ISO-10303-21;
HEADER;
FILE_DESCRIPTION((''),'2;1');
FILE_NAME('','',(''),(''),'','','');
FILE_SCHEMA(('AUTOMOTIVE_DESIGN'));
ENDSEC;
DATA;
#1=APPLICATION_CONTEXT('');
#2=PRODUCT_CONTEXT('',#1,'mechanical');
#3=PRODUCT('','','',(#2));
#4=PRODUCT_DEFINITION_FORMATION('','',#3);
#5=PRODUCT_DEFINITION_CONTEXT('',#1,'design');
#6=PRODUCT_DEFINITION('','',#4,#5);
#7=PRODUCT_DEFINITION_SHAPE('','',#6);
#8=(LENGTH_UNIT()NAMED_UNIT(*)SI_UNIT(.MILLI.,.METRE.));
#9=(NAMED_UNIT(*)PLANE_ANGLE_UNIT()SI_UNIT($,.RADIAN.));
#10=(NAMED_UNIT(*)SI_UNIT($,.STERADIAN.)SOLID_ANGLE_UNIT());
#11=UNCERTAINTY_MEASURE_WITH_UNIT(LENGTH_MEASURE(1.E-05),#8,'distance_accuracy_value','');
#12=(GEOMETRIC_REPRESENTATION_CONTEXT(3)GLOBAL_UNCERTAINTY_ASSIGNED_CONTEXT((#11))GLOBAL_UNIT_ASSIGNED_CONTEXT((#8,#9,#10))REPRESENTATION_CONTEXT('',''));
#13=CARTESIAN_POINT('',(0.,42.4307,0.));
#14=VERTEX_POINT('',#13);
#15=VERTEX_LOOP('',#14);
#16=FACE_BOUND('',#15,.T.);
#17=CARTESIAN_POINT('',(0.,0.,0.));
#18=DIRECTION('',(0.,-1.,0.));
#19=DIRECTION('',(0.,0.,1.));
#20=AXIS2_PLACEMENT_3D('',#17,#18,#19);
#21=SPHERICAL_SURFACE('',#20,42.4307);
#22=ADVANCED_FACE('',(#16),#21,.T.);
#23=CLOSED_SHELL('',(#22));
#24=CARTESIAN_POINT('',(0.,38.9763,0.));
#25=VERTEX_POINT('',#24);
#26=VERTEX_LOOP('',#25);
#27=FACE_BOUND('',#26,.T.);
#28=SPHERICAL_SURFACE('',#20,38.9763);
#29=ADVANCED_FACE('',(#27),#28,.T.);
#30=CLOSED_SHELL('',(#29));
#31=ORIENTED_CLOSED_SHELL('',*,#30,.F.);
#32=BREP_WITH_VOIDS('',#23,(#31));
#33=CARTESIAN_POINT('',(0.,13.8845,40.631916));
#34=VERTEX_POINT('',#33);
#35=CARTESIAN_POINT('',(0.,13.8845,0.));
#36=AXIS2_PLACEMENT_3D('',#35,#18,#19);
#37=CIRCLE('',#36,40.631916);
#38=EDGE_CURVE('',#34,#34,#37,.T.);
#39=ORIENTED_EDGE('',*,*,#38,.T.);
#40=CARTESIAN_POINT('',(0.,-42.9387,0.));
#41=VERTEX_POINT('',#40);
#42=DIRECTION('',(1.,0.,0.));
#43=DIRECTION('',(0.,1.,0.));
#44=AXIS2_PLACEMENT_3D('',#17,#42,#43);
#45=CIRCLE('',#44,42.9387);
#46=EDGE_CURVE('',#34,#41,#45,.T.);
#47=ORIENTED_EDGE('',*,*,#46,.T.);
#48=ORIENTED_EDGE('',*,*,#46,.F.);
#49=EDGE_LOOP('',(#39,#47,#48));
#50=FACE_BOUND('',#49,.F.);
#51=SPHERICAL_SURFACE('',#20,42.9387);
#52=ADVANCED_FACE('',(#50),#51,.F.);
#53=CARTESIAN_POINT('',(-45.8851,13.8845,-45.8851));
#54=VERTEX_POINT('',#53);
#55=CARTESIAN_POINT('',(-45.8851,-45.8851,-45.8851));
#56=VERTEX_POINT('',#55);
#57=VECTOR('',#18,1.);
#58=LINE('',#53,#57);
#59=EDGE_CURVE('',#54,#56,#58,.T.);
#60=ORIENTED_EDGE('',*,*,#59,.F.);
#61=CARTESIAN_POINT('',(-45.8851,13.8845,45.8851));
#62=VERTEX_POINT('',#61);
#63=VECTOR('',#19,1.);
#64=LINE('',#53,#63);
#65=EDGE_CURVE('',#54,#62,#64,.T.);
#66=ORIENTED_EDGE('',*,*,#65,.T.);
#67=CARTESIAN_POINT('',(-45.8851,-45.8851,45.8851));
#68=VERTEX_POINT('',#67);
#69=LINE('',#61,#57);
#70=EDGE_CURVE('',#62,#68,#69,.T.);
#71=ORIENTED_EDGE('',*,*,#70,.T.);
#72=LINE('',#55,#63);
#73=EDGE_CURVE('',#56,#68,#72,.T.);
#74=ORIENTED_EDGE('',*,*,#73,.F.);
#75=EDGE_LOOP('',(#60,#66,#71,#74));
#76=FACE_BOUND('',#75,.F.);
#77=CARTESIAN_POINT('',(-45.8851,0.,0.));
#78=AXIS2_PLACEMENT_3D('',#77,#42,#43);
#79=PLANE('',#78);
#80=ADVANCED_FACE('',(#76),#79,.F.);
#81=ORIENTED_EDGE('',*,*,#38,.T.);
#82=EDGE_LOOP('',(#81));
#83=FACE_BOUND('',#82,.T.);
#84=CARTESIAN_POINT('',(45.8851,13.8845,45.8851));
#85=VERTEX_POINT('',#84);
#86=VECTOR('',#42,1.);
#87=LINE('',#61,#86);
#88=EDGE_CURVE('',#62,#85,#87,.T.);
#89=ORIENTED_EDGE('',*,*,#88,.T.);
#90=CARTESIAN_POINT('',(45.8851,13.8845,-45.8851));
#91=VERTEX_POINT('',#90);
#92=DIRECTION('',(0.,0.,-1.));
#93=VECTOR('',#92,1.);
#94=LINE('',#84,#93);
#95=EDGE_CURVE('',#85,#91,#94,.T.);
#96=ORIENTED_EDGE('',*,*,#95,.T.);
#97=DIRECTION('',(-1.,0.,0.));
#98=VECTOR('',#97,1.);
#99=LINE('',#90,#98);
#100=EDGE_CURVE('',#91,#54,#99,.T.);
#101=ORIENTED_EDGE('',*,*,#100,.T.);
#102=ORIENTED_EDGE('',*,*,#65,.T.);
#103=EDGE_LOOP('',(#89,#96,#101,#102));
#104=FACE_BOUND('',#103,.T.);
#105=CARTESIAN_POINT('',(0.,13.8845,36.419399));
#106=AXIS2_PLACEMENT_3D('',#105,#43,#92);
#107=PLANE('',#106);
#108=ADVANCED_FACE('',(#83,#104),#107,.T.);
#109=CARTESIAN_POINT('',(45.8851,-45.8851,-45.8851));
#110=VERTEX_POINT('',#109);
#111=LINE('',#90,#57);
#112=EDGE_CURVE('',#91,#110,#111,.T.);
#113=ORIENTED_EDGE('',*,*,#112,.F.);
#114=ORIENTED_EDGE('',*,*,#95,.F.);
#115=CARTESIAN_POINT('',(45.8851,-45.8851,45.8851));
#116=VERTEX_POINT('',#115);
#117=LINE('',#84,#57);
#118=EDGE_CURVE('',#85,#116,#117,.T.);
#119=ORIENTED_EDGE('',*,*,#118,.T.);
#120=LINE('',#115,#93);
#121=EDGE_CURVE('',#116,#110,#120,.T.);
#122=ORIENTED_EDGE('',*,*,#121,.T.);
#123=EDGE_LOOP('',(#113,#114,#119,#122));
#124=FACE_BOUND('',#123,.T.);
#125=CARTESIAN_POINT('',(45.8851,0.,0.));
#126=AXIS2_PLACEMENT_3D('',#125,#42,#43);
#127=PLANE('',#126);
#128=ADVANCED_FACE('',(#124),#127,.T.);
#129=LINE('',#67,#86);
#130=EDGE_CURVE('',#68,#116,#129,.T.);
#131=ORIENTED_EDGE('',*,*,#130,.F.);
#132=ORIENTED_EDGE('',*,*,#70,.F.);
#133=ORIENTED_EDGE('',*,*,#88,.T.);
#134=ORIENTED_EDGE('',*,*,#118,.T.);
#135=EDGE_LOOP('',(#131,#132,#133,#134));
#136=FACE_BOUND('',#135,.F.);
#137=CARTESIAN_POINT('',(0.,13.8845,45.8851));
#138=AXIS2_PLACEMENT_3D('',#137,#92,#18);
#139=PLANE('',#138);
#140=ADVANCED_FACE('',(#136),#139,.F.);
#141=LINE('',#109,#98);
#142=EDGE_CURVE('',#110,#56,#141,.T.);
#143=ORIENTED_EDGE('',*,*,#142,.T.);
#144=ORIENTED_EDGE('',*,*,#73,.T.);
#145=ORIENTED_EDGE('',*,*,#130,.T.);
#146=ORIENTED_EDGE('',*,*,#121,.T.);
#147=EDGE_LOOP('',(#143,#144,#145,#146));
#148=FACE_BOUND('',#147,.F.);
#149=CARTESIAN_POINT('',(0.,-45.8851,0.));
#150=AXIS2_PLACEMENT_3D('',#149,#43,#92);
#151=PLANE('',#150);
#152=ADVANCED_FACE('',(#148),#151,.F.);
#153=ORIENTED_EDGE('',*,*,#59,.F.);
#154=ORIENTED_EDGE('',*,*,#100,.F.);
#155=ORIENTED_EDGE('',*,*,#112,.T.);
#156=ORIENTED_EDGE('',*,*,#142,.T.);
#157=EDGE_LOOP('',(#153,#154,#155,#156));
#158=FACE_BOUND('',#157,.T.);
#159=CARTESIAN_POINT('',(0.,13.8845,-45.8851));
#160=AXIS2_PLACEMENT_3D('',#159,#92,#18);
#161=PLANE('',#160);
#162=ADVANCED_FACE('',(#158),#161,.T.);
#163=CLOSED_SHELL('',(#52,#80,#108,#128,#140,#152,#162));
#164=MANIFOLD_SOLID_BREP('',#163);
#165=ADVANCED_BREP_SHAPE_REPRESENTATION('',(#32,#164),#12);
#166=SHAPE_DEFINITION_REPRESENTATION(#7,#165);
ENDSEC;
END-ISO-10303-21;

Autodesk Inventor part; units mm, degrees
ref_plane "YZ Plane" through (0, 0, 0) normal (1, 0, 0) x (0, 1, 0)
ref_plane "XZ Plane" through (0, 0, 0) normal (0, 1, 0) x (-1, 0, 0)
ref_plane "XY Plane" through (0, 0, 0) normal (0, 0, 1) x (1, 0, 0)
sketch "Sketch1" plane through (0, 0, 0) normal (1, 0, 0) x (0, 1, 0)
  arc A0 (38.9763, 0) -> (-38.9763, 0) centre (0, 0) ccw
  arc A1 (42.4307, 0) -> (-42.4307, 0) centre (0, 0) ccw
  line L0 (-45.8851, 0) -> (-45.8851, 45.8851)
  line L1 (13.8845, 45.8851) -> (-45.8851, 45.8851)
  line L2 (13.8845, 45.8851) -> (13.8845, 0)
  line L3 (-45.8851, 0) -> (-45.8851, -45.8851)
  line L4 (13.8845, -45.8851) -> (-45.8851, -45.8851)
  line L5 (13.8845, -45.8851) -> (13.8845, 0)
  line L6 (42.9387, 0) -> (42.4307, 0)
  line L7 (38.9763, 0) -> (42.4307, 0)
  line L8 (38.9763, 0) -> (-38.9763, 0)
  line L9 (-38.9763, 0) -> (-42.4307, 0)
  line L10 (-42.4307, 0) -> (-42.9387, 0)
  dimension "d0" = 77.9526
  dimension "d3" = 45.8851
  dimension "d4" = 45.8851
  dimension "d10" = 3.4544
  dimension "d19" = 91.7702
extrude "cube to cut from" add sketch "Sketch1" along normal mid plane 91.7702 contours L2 L8 A0 | A0 L9 A1 L2 | L5 L4 L3 L0 L1 L2 A1 L9 L8 picked at (-21.0569, 2.7719)
sketch "Sketch2" plane through (0, 0, 0) normal (1, 0, 0) x (0, 1, 0)
  arc A0 (42.9387, 0) -> (-42.9387, 0) centre (0, 0) ccw
  line L0 (42.9387, 0) -> (-42.9387, 0)
  dimension "d17" = 85.8774
revolve "cut out for mouse ball" cut sketch "Sketch2" angle 360 about axis through (0, 42.9387, 0) along (0, -1, 0)
revolve "mouse ball" add sketch "Sketch1" angle 360 about axis through (0, 38.9763, 0) along (0, -1, 0) separate body contours A0 L2 A1 L7 | A0 L9 A1 L2
equation "\"d3\" = 0.5 * d0 + 2 * d1"
equation "\"d4\" = 0.5 * d0 + 2 * d1"
equation "\"d8\" = d19"
equation "\"d17\" = 2 * d10 + d0 + 2 * d11"
equation "\"d1\" = 3.4544"
equation "\"d11\" = 0.508"
properties part number "mouse ball"
